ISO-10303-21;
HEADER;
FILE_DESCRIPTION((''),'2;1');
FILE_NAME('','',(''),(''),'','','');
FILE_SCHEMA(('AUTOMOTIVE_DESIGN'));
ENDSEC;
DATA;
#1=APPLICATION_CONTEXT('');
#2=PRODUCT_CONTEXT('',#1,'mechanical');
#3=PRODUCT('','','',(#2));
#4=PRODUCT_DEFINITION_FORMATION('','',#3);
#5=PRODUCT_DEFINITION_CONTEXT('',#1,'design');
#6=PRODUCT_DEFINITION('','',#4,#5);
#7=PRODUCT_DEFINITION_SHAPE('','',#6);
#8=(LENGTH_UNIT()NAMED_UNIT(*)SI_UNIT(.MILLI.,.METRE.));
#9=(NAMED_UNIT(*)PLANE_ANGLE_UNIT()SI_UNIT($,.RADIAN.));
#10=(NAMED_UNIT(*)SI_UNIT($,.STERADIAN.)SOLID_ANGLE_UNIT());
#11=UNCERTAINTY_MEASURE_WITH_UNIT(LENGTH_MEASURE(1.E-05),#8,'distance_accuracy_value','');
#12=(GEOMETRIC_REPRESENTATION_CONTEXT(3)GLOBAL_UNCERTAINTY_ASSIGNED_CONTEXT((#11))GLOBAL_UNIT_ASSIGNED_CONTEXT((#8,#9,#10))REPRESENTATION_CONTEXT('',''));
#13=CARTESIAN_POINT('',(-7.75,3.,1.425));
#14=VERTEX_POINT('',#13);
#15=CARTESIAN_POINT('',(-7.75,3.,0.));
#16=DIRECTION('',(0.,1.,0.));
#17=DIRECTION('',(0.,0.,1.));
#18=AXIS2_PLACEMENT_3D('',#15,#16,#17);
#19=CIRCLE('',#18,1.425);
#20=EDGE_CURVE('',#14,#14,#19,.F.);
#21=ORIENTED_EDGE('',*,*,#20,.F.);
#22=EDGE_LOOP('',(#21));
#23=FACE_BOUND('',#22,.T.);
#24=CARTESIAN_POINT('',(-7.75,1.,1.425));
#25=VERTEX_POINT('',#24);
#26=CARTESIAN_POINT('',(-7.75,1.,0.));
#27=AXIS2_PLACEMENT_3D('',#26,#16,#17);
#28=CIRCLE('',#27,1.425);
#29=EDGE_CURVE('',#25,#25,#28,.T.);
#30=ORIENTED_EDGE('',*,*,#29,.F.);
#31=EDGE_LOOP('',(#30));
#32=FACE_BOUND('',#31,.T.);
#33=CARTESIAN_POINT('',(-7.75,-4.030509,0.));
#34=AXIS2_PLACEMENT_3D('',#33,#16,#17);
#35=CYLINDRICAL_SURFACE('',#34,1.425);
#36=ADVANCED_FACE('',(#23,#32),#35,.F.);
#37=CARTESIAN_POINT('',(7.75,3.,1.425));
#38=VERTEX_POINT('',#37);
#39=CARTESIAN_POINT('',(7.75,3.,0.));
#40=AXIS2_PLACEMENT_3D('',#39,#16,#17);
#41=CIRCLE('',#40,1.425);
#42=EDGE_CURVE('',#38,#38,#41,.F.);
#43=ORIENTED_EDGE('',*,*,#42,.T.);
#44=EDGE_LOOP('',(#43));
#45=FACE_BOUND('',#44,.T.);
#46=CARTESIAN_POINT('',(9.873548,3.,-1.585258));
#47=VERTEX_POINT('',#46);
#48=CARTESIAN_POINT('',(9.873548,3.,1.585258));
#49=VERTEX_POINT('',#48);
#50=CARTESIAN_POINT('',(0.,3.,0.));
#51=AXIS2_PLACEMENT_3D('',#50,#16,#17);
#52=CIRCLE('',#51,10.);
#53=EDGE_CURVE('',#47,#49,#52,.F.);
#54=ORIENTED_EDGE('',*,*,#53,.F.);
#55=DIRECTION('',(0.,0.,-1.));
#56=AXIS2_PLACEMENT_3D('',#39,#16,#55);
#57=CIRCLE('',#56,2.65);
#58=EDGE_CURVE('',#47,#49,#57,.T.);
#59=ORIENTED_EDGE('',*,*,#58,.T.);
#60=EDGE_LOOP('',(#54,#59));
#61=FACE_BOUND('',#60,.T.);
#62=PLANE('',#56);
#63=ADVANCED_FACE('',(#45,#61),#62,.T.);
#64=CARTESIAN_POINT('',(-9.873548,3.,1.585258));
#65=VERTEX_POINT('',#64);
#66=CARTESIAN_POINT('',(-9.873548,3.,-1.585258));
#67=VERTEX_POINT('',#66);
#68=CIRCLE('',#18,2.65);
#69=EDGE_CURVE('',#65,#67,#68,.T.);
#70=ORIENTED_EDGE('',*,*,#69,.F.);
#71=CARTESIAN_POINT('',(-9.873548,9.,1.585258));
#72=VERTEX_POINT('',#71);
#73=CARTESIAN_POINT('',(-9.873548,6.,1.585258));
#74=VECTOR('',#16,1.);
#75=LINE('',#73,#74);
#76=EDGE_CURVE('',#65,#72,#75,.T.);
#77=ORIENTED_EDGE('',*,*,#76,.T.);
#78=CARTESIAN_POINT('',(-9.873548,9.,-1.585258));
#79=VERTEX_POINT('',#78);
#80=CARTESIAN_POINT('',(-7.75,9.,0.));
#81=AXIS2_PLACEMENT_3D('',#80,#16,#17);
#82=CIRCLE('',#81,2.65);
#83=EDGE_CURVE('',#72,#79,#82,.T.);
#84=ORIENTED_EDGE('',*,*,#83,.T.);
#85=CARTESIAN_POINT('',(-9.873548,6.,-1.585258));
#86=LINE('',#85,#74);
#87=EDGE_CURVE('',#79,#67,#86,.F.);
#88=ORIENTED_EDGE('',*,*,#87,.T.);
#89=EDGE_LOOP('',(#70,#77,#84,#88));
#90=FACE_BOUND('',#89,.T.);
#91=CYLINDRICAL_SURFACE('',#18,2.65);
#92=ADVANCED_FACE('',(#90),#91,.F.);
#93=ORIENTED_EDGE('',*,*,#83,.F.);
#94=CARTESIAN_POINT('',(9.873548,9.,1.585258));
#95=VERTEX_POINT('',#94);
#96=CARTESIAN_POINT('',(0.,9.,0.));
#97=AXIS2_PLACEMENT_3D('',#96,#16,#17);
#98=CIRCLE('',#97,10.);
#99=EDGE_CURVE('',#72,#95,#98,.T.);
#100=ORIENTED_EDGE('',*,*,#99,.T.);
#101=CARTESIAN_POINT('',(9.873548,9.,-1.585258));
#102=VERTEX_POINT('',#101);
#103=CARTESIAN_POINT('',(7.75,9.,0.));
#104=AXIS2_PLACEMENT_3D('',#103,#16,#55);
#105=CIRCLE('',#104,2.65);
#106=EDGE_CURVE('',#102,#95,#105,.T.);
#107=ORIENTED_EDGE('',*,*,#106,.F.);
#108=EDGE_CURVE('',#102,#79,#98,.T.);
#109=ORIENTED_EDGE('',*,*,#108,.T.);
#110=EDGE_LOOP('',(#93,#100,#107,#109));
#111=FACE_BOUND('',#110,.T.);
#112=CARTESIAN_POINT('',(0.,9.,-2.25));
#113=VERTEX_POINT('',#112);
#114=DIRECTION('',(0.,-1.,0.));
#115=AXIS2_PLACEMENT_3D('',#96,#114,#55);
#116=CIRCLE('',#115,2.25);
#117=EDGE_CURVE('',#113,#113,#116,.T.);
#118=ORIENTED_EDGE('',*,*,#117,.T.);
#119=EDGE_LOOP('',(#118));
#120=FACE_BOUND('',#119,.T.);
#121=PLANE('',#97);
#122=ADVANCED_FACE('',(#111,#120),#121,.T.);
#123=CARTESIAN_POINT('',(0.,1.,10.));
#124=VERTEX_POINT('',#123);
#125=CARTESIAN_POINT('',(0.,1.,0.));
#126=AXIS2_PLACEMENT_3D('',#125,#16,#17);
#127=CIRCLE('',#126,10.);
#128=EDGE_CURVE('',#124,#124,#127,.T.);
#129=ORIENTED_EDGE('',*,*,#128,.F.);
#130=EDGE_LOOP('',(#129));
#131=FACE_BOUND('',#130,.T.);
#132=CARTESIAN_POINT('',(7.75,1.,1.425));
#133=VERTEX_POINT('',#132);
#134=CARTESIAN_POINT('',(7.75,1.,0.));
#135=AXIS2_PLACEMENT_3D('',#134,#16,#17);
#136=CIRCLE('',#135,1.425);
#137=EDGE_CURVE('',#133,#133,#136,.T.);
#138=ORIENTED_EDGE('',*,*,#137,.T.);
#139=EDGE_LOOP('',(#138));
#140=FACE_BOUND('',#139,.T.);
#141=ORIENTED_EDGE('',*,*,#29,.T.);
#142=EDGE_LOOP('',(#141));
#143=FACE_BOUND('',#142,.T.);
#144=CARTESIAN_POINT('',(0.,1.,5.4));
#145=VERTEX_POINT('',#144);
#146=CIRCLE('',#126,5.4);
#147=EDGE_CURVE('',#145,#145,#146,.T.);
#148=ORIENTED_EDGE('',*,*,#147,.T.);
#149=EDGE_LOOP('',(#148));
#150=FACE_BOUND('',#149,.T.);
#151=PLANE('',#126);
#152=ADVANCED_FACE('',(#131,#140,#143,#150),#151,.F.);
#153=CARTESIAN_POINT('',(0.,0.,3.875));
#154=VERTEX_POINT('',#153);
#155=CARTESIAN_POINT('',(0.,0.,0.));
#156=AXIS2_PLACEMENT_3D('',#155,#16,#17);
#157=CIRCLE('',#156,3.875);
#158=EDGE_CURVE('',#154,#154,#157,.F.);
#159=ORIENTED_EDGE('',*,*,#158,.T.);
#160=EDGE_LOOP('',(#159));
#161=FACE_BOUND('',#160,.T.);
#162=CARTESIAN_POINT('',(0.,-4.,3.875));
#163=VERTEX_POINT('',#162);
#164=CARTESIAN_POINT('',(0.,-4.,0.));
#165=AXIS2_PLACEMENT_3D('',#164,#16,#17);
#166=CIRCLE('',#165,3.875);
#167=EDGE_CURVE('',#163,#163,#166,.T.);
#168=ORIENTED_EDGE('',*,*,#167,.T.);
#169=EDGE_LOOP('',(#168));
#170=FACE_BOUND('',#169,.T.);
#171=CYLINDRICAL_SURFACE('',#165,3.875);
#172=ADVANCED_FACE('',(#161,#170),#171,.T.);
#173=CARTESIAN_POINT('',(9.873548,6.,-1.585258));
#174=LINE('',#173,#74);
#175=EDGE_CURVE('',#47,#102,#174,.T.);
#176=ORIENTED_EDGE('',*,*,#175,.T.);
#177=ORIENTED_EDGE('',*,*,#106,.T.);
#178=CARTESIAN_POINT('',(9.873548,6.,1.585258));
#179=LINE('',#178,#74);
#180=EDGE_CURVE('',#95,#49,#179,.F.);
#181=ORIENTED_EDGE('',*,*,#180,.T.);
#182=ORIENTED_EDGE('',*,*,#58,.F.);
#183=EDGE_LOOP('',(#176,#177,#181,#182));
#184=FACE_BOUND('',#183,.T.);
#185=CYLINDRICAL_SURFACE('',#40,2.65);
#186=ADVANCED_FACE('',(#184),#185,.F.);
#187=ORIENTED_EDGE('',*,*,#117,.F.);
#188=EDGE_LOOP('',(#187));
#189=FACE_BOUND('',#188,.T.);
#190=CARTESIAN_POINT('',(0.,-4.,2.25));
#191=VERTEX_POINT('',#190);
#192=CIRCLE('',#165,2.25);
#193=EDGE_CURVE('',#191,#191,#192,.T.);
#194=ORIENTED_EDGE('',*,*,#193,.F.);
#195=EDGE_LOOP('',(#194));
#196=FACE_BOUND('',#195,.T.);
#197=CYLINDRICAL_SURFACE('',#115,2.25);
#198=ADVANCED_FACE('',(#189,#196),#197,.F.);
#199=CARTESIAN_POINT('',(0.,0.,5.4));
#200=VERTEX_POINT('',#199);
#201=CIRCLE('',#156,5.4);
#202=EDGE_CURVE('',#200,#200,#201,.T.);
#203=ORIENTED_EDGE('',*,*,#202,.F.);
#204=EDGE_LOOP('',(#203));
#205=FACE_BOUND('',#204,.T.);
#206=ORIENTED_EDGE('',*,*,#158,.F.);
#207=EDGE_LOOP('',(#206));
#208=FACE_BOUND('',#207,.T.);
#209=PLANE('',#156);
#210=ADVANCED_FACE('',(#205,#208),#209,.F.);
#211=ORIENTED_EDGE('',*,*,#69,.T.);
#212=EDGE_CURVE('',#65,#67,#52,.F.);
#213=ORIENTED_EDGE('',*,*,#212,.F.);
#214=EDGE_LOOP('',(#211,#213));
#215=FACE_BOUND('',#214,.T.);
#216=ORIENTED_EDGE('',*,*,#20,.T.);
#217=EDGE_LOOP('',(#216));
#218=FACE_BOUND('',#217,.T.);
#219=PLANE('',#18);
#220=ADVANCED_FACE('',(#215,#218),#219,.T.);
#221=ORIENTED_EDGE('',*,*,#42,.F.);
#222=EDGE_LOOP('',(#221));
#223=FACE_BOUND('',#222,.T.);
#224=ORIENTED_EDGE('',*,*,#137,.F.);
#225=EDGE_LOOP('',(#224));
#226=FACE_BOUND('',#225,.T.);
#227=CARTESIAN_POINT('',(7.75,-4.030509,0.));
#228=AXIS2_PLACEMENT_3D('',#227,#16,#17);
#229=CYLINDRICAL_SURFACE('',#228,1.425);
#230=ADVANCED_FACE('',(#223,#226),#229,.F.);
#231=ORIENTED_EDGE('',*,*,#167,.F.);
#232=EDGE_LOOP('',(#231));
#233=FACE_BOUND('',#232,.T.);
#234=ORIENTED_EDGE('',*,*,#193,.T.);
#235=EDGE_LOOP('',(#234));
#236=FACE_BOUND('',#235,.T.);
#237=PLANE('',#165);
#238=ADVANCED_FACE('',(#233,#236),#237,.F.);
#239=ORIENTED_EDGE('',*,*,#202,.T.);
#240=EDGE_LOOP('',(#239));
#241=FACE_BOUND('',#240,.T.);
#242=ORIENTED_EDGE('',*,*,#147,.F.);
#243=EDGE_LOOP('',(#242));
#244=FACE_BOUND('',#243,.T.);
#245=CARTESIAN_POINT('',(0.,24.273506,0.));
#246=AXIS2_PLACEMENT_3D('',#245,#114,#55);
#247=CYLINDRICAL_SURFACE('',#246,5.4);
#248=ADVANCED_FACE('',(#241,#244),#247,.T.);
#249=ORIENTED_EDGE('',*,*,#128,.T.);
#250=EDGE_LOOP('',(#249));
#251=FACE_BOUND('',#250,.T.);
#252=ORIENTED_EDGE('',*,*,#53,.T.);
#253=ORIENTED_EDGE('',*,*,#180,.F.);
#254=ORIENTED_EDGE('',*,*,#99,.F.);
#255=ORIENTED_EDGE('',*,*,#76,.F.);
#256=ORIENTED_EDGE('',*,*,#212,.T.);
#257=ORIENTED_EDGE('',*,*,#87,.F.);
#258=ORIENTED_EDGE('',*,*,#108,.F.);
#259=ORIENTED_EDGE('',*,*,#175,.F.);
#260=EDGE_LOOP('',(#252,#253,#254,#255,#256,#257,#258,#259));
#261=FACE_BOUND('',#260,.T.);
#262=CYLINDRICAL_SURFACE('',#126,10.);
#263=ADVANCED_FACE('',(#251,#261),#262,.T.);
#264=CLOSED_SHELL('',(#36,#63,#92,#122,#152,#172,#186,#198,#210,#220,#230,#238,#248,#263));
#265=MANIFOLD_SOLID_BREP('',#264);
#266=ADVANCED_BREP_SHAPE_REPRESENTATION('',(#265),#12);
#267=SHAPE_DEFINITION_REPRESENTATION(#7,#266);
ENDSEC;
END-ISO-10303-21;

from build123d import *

# Parameters (mm, degrees)
SKETCH1_R                = 3.875
BOSS_EXTRUDE1_DEPTH      = 9
BOSS_EXTRUDE1_DEPTH_BACK = 4
SKETCH2_R                = 5.4
BOSS_EXTRUDE2_DEPTH      = 9
SKETCH7_R                = 10
BOSS_EXTRUDE4_DEPTH      = 8
CUT_EXTRUDE2_START       = -9
SKETCH3_R                = 1.425
CUT_EXTRUDE2_DEPTH       = 10
SKETCH6_R                = 2.65
CUT_EXTRUDE3_DEPTH       = 6
CIRPATTERN1_COUNT        = 2
SKETCH8_R                = 2.25
CUT_EXTRUDE4_DEPTH       = 1
CUT_EXTRUDE4_DEPTH_BACK  = 14


with BuildPart() as part:
    # Sketch1 → Boss-Extrude1 (new body, two sides)
    with BuildSketch(Plane(origin=(0, 0, 0), x_dir=(1, 0, 0), z_dir=(0, 1, 0))) as boss_extrude1_sk:
        Circle(SKETCH1_R)
    extrude(amount=BOSS_EXTRUDE1_DEPTH)
    extrude(boss_extrude1_sk.sketch, amount=-BOSS_EXTRUDE1_DEPTH_BACK)

    # Sketch2 → Boss-Extrude2 (add)
    with BuildSketch(Plane(origin=(0, 0, 0), x_dir=(1, 0, 0), z_dir=(0, 1, 0))):
        Circle(SKETCH2_R)
    extrude(amount=BOSS_EXTRUDE2_DEPTH)

    # Sketch7 → Boss-Extrude4 (add)
    with BuildSketch(Plane(origin=(0, 9, 0), x_dir=(1, 0, 0), z_dir=(0, 1, 0))):
        Circle(SKETCH7_R)
    extrude(amount=-BOSS_EXTRUDE4_DEPTH)

    # Sketch3 → Cut-Extrude2 (cut)
    with BuildSketch(Plane(origin=(0, 9, 0), x_dir=(1, 0, 0), z_dir=(0, 1, 0)).offset(CUT_EXTRUDE2_START)):
        with Locations((-7.75, 0)):
            Circle(SKETCH3_R)
    cut_extrude2 = extrude(amount=CUT_EXTRUDE2_DEPTH, mode=Mode.SUBTRACT)

    # Sketch6 → Cut-Extrude3 (cut)
    with BuildSketch(Plane(origin=(0, 9, 0), x_dir=(1, 0, 0), z_dir=(0, 1, 0))):
        with Locations((-7.75, 0)):
            Circle(SKETCH6_R)
    cut_extrude3 = extrude(amount=-CUT_EXTRUDE3_DEPTH, mode=Mode.SUBTRACT)

    # CirPattern1: Cut-Extrude2, Cut-Extrude3 ×2 about axis
    cirpattern1_axis = Axis((0, 0, 0), (0, 1, 0))
    for i in range(1, CIRPATTERN1_COUNT):
        add(cut_extrude2.rotate(cirpattern1_axis, i * 360 / CIRPATTERN1_COUNT), mode=Mode.SUBTRACT)
        add(cut_extrude3.rotate(cirpattern1_axis, i * 360 / CIRPATTERN1_COUNT), mode=Mode.SUBTRACT)

    # Sketch8 → Cut-Extrude4 (cut, two sides)
    with BuildSketch(Plane.XZ.offset(4)) as cut_extrude4_sk:
        Circle(SKETCH8_R)
    extrude(amount=CUT_EXTRUDE4_DEPTH, mode=Mode.SUBTRACT)
    extrude(cut_extrude4_sk.sketch, amount=-CUT_EXTRUDE4_DEPTH_BACK, mode=Mode.SUBTRACT)


solid = part.part
